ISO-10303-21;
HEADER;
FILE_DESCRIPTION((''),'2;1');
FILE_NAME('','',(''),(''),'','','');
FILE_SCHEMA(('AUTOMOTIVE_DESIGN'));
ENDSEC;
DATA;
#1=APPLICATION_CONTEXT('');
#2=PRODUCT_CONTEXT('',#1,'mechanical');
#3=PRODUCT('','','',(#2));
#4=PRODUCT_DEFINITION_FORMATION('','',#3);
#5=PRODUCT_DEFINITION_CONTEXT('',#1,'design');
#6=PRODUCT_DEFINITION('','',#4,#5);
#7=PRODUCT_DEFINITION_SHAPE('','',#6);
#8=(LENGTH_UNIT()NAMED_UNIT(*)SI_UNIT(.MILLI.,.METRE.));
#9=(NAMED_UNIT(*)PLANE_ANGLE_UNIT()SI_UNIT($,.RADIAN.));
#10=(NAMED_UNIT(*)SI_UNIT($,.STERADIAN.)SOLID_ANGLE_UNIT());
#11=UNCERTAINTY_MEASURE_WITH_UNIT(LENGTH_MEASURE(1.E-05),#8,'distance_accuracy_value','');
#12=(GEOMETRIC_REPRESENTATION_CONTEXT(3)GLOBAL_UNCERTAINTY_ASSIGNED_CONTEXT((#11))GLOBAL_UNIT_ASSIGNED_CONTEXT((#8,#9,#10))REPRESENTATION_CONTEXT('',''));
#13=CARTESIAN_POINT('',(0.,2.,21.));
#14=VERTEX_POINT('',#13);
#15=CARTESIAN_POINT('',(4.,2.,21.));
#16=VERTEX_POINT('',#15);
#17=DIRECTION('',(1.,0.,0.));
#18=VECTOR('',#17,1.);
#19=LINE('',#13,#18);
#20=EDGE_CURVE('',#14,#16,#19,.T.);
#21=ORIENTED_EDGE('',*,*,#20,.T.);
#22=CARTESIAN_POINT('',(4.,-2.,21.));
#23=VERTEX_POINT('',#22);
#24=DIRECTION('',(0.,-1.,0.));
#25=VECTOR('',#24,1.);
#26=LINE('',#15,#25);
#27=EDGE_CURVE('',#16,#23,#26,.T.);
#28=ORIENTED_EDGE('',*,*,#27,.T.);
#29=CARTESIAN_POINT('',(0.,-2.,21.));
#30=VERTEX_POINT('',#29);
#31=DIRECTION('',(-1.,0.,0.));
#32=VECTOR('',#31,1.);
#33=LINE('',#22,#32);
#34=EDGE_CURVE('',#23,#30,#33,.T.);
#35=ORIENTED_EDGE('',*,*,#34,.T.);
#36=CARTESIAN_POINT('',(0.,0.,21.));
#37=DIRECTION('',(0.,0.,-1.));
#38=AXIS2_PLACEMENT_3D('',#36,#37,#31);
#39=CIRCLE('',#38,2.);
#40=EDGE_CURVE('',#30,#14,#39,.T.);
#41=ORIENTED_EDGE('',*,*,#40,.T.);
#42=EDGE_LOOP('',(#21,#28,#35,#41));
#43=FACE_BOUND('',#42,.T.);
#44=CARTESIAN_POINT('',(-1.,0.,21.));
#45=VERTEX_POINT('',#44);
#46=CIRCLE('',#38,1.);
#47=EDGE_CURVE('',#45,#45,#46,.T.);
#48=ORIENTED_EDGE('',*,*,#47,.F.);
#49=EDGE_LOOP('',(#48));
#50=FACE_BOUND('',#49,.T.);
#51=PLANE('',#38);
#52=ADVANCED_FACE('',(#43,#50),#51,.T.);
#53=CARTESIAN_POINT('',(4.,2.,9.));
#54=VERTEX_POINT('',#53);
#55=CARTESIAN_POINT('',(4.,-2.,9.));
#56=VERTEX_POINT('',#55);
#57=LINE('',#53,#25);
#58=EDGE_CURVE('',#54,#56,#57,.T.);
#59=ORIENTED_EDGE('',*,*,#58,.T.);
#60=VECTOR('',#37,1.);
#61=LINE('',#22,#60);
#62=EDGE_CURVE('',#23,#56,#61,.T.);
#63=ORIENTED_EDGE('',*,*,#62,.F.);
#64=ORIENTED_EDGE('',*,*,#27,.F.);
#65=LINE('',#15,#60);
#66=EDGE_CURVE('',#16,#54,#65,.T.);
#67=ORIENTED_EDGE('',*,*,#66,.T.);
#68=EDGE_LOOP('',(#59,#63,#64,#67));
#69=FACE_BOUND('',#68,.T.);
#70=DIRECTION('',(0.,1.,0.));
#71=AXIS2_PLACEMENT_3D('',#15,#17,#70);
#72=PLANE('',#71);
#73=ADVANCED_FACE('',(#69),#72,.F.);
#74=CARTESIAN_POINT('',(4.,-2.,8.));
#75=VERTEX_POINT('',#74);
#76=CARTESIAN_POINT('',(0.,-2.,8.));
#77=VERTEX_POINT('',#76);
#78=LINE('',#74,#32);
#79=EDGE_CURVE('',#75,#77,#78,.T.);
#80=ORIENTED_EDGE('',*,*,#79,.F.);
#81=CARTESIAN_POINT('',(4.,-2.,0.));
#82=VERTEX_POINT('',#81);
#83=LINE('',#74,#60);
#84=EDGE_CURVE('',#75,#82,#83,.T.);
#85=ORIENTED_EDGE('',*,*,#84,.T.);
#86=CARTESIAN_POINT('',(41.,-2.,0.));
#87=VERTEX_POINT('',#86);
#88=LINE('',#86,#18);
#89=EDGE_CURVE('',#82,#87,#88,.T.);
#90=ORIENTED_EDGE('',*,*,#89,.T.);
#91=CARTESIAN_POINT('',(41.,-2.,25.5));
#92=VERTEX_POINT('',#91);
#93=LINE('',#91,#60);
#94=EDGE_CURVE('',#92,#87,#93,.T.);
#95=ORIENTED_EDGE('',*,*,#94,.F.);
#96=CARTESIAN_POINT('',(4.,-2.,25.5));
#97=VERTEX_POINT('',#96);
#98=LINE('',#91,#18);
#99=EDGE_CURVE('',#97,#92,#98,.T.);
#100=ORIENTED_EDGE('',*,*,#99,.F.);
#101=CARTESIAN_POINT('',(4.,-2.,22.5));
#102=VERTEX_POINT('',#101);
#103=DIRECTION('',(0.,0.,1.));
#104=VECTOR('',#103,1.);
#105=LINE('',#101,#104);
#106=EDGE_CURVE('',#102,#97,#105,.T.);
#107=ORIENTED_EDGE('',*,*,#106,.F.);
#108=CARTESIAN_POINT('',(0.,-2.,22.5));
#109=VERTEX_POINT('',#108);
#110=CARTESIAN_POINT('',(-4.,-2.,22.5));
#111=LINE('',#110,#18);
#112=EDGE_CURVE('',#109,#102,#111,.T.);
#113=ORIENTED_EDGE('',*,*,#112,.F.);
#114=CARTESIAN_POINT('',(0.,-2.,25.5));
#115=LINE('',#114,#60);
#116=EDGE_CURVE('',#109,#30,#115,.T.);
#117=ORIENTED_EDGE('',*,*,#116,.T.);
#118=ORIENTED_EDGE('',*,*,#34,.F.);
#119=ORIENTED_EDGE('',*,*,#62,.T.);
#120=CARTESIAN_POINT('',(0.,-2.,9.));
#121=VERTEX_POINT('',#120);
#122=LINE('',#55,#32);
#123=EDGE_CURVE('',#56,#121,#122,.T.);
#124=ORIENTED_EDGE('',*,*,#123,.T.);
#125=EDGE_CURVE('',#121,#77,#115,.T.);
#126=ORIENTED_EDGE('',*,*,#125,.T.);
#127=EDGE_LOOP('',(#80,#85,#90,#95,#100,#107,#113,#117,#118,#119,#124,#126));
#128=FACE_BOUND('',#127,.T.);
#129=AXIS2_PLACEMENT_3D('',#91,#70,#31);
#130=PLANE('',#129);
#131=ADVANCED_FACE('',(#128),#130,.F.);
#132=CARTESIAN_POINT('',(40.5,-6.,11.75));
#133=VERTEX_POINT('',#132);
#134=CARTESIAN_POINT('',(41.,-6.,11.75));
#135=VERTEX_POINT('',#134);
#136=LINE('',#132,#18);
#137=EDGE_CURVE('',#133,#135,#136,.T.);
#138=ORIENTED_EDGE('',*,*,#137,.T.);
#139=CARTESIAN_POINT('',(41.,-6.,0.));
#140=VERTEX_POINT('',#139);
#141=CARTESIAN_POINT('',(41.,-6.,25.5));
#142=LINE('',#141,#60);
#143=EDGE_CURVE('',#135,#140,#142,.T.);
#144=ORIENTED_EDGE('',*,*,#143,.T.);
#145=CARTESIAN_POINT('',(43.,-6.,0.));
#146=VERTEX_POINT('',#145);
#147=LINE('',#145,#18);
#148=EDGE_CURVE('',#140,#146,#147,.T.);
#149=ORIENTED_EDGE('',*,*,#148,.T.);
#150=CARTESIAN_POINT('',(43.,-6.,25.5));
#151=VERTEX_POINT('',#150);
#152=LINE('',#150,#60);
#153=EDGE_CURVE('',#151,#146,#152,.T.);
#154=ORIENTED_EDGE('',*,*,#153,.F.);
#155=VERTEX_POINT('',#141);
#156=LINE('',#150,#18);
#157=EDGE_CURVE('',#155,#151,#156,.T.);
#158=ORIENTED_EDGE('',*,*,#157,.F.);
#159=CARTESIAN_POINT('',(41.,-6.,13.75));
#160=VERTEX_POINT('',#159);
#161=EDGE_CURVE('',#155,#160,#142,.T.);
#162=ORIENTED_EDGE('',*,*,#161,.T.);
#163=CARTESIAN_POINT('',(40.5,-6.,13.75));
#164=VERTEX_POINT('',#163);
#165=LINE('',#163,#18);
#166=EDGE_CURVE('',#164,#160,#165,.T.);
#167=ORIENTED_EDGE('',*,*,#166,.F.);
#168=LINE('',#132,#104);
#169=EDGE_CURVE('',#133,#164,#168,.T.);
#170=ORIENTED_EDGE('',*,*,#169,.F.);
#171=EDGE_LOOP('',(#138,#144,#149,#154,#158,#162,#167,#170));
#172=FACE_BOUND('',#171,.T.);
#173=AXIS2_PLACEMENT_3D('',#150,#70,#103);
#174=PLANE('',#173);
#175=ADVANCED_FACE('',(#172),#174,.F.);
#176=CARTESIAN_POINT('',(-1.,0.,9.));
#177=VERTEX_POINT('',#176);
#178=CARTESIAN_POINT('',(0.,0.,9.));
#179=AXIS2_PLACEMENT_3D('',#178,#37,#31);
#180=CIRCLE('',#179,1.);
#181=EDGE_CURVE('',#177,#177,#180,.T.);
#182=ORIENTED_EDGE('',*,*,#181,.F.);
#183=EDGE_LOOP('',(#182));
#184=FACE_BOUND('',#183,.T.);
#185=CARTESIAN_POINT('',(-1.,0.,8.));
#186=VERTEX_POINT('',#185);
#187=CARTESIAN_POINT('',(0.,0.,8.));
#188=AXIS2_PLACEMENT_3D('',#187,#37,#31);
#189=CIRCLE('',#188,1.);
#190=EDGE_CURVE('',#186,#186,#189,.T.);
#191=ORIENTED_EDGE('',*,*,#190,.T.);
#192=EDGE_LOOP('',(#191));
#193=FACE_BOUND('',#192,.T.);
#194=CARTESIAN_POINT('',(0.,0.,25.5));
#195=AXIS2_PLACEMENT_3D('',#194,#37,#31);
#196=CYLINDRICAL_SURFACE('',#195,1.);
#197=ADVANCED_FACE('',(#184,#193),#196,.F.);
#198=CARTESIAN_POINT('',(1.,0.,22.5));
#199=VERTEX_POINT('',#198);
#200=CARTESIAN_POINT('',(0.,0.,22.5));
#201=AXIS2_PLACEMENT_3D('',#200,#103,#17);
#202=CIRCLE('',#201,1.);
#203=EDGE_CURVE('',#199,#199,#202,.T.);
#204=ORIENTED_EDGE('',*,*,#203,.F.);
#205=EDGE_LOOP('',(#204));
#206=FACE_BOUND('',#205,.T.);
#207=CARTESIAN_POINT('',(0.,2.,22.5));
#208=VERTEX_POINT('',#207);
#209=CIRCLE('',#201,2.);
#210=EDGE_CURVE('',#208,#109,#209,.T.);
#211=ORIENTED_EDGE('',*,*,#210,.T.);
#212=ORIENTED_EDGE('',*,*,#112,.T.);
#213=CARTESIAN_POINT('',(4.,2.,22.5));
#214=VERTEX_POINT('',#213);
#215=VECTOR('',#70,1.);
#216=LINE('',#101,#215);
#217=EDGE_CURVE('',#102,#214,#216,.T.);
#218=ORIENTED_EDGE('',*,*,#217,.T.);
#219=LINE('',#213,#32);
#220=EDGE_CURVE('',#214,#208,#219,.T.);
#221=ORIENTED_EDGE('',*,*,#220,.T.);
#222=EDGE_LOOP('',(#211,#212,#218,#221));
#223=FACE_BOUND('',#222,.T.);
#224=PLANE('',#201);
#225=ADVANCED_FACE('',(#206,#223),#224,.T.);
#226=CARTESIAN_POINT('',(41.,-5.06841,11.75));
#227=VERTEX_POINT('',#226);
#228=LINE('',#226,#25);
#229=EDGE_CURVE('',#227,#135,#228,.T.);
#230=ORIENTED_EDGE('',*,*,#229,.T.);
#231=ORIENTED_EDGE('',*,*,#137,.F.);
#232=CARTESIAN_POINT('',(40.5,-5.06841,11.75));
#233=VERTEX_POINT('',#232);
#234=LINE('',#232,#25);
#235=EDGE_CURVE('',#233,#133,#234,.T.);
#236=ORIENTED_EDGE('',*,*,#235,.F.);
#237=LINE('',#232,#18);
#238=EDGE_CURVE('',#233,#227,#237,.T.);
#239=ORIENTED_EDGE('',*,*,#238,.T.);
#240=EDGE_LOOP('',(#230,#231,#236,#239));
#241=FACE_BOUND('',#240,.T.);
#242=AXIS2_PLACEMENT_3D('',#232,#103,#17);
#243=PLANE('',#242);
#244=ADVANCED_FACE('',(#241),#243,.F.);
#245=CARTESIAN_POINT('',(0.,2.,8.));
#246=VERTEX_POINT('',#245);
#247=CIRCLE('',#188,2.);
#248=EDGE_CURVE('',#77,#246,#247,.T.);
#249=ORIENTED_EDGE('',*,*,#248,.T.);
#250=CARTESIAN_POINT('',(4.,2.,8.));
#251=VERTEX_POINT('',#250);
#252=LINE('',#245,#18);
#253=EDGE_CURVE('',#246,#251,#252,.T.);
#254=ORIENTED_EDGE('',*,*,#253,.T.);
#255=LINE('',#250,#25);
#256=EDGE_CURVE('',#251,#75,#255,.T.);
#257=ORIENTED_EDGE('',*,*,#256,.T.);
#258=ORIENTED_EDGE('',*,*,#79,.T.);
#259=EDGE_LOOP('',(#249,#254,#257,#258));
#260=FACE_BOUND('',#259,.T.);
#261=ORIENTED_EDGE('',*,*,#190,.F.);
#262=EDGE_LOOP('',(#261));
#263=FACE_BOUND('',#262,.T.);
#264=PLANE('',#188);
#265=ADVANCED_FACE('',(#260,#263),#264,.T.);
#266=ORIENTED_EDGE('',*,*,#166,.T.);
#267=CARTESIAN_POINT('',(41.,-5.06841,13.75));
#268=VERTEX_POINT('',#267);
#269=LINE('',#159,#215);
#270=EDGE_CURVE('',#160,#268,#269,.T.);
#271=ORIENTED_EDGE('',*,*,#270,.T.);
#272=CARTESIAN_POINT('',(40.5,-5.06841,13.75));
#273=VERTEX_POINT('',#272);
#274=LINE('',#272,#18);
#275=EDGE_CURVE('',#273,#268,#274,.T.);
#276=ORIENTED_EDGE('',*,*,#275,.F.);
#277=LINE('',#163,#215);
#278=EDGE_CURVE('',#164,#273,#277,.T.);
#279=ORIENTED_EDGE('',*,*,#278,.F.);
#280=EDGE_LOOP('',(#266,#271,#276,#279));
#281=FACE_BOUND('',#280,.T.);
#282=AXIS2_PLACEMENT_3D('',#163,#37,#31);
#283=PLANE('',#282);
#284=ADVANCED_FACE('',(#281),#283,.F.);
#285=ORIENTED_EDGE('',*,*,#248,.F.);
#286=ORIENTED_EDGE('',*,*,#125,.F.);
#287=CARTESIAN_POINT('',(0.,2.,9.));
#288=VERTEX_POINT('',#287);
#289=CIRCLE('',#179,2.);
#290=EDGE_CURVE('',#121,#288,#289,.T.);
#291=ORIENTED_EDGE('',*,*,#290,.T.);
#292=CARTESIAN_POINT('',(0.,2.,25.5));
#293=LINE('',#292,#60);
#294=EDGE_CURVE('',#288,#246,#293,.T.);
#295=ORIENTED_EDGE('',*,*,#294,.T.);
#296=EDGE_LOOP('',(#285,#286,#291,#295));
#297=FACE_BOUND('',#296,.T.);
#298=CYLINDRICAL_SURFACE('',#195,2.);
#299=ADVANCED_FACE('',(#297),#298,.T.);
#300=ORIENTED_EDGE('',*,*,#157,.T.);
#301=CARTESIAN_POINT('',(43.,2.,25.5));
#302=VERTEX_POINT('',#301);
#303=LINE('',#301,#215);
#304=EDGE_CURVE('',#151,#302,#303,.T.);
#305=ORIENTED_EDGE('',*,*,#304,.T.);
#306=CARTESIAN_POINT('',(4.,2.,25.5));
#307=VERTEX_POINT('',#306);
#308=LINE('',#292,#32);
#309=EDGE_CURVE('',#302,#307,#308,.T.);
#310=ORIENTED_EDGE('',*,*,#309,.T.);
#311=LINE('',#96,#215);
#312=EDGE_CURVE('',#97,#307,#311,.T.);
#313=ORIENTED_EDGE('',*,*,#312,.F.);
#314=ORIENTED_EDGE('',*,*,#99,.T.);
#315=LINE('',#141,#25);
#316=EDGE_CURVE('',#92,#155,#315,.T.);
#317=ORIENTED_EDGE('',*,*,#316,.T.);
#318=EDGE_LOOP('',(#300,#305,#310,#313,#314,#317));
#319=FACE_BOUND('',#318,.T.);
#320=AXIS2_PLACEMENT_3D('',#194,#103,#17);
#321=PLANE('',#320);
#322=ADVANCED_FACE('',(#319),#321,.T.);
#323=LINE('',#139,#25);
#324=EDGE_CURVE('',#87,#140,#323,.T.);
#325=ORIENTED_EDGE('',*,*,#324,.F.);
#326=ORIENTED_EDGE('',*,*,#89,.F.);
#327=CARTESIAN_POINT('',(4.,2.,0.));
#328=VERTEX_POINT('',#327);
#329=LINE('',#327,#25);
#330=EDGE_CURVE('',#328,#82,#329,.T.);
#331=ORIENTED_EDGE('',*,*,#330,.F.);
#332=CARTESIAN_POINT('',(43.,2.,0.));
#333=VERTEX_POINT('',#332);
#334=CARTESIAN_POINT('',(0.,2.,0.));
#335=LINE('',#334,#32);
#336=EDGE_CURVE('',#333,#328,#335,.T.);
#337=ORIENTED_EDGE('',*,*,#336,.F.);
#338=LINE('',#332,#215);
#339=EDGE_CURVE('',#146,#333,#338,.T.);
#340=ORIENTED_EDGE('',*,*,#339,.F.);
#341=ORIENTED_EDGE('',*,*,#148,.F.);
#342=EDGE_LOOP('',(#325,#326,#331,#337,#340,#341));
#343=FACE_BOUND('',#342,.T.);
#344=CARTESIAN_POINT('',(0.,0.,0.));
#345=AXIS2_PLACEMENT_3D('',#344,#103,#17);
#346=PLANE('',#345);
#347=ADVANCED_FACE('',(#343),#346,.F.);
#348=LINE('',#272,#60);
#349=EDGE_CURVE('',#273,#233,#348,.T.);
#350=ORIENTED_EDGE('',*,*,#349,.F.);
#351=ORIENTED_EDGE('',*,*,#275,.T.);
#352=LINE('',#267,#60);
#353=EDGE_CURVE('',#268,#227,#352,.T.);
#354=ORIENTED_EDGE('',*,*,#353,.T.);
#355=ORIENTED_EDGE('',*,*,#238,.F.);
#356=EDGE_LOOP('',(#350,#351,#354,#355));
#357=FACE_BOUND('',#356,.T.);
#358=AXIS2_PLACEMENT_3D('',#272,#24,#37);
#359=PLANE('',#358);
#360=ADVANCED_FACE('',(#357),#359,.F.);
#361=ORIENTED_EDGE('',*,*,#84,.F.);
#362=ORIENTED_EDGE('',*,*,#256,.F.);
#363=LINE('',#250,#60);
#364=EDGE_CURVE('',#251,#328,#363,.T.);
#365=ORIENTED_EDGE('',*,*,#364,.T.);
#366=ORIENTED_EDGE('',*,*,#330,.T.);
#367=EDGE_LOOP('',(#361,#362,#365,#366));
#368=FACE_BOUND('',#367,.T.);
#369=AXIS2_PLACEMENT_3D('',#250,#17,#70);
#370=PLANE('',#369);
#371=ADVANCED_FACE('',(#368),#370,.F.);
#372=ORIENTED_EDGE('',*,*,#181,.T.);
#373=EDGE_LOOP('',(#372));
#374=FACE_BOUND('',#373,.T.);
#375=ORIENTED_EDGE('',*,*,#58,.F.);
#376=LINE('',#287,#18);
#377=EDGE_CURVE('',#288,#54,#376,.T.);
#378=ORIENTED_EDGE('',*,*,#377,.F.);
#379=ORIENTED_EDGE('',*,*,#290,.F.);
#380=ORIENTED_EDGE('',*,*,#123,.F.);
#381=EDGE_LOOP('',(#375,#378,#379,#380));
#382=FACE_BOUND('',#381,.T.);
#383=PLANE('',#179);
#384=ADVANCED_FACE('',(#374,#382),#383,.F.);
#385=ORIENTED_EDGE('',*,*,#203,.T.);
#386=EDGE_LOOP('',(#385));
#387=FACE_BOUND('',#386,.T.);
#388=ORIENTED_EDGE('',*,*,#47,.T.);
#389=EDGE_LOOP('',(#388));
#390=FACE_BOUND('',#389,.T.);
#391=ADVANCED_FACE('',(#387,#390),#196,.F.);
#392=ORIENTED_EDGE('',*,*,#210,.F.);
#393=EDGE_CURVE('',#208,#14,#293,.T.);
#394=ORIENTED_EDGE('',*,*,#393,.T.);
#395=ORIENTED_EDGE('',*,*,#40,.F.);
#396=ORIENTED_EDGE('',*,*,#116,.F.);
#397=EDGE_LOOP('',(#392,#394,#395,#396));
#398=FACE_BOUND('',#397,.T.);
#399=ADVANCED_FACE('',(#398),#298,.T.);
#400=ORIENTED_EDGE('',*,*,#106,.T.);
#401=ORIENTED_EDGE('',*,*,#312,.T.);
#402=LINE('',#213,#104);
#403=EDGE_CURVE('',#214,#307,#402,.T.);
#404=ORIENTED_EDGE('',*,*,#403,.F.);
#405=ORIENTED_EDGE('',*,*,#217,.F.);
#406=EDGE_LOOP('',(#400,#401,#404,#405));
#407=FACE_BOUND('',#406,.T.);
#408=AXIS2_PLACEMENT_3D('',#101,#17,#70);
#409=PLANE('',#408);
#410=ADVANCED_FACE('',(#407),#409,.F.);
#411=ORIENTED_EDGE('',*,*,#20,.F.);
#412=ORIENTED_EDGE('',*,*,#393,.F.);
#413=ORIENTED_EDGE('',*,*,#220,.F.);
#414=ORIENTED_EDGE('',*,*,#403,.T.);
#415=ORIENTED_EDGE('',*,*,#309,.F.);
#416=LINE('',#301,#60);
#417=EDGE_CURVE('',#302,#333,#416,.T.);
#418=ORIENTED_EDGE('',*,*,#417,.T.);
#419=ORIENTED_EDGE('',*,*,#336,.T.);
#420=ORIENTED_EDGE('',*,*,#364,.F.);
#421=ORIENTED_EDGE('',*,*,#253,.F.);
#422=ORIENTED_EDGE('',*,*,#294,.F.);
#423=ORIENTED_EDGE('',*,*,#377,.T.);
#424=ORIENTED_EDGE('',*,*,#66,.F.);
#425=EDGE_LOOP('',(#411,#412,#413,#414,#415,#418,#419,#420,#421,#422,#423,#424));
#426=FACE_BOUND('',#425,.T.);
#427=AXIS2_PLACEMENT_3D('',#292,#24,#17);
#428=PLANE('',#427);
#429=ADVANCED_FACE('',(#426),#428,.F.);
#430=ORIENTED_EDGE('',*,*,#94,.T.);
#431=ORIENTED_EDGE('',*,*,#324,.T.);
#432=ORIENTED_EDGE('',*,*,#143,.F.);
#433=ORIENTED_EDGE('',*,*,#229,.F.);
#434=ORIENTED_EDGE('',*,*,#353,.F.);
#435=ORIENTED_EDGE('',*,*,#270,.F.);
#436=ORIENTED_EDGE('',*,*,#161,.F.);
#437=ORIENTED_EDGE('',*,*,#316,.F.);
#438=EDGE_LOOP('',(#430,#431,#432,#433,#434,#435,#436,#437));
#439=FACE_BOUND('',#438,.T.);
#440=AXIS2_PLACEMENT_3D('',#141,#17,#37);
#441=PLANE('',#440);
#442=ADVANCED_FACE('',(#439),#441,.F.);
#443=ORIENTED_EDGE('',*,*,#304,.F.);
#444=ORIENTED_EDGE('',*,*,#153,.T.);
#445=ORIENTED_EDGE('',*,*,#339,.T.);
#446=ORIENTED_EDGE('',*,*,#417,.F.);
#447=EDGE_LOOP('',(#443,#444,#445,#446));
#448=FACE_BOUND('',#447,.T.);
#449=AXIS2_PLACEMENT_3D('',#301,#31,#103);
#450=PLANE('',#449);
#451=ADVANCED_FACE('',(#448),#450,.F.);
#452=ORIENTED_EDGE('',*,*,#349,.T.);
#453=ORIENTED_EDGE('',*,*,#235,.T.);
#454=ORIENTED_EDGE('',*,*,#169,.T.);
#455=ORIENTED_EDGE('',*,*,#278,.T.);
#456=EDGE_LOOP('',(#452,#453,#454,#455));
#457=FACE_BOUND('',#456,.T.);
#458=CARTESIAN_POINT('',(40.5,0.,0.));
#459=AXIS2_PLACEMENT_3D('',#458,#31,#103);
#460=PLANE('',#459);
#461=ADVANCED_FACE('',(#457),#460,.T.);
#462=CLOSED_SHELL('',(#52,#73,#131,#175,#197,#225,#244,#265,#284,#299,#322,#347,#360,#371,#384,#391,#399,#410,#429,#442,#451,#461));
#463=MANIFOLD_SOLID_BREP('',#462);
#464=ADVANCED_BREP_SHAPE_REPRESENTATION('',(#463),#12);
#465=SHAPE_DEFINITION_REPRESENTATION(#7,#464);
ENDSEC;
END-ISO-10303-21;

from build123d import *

# Parameters (mm, degrees)
SKETCH_1_R          = 1
EXTRUDE_1_DEPTH     = 25.5
SKETCH_2_W          = 8
SKETCH_2_H          = 4
CUT_EXTRUDE_2_DEPTH = 3
CUT_EXTRUDE_3_DEPTH = 8
CUT_EXTRUDE_START   = -9
CUT_EXTRUDE_4_DEPTH = 12
EXTRUDE_2_DEPTH     = 0.5


with BuildPart() as part:
    # 草图1 → 凸台-拉伸1 (new body)
    with BuildSketch(Plane.XY):
        with BuildLine():
            Line((0, 2), (43, 2))
            Line((43, 2), (43, -6))
            Line((43, -6), (41, -6))
            Line((41, -6), (41, -2))
            Line((41, -2), (0, -2))
            ThreePointArc((0, -2), (-2, 0), (0, 2))
        make_face()
        Circle(SKETCH_1_R, mode=Mode.SUBTRACT)
    extrude(amount=EXTRUDE_1_DEPTH)

    # 草图2 → 切除-拉伸2 (cut)
    with BuildSketch(Plane.XY.offset(25.5)):
        Rectangle(SKETCH_2_W, SKETCH_2_H)
    extrude(amount=-CUT_EXTRUDE_2_DEPTH, mode=Mode.SUBTRACT)

    # 草图3 → 切除-拉伸3 (cut)
    with BuildSketch(Plane(origin=(0, 0, 0), x_dir=(-1, 0, 0), z_dir=(0, 0, -1))):
        with BuildLine():
            Line((0, 2), (-4, 2))
            Line((-4, 2), (-4, -2))
            Line((-4, -2), (0, -2))
            ThreePointArc((0, -2), (2, 0), (0, 2))
        make_face()
    extrude(amount=-CUT_EXTRUDE_3_DEPTH, mode=Mode.SUBTRACT)

    # 草图3<2> → 切除-拉伸4 (cut)
    with BuildSketch(Plane(origin=(0, 0, 0), x_dir=(-1, 0, 0), z_dir=(0, 0, -1)).offset(CUT_EXTRUDE_START)):
        with BuildLine():
            ThreePointArc((0, -2), (2, 0), (0, 2))
            Line((0, 2), (-4, 2))
            Line((-4, 2), (-4, -2))
            Line((-4, -2), (0, -2))
        make_face()
    extrude(amount=-CUT_EXTRUDE_4_DEPTH, mode=Mode.SUBTRACT)

    # 草图4 → 凸台-拉伸2 (add)
    with BuildSketch(Plane.ZY.offset(-41)):
        Polygon((13.75, -5.068409561), (11.75, -5.068409561), (11.75, -6), (12.75, -6), (13.75, -6), align=None)
    extrude(amount=EXTRUDE_2_DEPTH)


solid = part.part
